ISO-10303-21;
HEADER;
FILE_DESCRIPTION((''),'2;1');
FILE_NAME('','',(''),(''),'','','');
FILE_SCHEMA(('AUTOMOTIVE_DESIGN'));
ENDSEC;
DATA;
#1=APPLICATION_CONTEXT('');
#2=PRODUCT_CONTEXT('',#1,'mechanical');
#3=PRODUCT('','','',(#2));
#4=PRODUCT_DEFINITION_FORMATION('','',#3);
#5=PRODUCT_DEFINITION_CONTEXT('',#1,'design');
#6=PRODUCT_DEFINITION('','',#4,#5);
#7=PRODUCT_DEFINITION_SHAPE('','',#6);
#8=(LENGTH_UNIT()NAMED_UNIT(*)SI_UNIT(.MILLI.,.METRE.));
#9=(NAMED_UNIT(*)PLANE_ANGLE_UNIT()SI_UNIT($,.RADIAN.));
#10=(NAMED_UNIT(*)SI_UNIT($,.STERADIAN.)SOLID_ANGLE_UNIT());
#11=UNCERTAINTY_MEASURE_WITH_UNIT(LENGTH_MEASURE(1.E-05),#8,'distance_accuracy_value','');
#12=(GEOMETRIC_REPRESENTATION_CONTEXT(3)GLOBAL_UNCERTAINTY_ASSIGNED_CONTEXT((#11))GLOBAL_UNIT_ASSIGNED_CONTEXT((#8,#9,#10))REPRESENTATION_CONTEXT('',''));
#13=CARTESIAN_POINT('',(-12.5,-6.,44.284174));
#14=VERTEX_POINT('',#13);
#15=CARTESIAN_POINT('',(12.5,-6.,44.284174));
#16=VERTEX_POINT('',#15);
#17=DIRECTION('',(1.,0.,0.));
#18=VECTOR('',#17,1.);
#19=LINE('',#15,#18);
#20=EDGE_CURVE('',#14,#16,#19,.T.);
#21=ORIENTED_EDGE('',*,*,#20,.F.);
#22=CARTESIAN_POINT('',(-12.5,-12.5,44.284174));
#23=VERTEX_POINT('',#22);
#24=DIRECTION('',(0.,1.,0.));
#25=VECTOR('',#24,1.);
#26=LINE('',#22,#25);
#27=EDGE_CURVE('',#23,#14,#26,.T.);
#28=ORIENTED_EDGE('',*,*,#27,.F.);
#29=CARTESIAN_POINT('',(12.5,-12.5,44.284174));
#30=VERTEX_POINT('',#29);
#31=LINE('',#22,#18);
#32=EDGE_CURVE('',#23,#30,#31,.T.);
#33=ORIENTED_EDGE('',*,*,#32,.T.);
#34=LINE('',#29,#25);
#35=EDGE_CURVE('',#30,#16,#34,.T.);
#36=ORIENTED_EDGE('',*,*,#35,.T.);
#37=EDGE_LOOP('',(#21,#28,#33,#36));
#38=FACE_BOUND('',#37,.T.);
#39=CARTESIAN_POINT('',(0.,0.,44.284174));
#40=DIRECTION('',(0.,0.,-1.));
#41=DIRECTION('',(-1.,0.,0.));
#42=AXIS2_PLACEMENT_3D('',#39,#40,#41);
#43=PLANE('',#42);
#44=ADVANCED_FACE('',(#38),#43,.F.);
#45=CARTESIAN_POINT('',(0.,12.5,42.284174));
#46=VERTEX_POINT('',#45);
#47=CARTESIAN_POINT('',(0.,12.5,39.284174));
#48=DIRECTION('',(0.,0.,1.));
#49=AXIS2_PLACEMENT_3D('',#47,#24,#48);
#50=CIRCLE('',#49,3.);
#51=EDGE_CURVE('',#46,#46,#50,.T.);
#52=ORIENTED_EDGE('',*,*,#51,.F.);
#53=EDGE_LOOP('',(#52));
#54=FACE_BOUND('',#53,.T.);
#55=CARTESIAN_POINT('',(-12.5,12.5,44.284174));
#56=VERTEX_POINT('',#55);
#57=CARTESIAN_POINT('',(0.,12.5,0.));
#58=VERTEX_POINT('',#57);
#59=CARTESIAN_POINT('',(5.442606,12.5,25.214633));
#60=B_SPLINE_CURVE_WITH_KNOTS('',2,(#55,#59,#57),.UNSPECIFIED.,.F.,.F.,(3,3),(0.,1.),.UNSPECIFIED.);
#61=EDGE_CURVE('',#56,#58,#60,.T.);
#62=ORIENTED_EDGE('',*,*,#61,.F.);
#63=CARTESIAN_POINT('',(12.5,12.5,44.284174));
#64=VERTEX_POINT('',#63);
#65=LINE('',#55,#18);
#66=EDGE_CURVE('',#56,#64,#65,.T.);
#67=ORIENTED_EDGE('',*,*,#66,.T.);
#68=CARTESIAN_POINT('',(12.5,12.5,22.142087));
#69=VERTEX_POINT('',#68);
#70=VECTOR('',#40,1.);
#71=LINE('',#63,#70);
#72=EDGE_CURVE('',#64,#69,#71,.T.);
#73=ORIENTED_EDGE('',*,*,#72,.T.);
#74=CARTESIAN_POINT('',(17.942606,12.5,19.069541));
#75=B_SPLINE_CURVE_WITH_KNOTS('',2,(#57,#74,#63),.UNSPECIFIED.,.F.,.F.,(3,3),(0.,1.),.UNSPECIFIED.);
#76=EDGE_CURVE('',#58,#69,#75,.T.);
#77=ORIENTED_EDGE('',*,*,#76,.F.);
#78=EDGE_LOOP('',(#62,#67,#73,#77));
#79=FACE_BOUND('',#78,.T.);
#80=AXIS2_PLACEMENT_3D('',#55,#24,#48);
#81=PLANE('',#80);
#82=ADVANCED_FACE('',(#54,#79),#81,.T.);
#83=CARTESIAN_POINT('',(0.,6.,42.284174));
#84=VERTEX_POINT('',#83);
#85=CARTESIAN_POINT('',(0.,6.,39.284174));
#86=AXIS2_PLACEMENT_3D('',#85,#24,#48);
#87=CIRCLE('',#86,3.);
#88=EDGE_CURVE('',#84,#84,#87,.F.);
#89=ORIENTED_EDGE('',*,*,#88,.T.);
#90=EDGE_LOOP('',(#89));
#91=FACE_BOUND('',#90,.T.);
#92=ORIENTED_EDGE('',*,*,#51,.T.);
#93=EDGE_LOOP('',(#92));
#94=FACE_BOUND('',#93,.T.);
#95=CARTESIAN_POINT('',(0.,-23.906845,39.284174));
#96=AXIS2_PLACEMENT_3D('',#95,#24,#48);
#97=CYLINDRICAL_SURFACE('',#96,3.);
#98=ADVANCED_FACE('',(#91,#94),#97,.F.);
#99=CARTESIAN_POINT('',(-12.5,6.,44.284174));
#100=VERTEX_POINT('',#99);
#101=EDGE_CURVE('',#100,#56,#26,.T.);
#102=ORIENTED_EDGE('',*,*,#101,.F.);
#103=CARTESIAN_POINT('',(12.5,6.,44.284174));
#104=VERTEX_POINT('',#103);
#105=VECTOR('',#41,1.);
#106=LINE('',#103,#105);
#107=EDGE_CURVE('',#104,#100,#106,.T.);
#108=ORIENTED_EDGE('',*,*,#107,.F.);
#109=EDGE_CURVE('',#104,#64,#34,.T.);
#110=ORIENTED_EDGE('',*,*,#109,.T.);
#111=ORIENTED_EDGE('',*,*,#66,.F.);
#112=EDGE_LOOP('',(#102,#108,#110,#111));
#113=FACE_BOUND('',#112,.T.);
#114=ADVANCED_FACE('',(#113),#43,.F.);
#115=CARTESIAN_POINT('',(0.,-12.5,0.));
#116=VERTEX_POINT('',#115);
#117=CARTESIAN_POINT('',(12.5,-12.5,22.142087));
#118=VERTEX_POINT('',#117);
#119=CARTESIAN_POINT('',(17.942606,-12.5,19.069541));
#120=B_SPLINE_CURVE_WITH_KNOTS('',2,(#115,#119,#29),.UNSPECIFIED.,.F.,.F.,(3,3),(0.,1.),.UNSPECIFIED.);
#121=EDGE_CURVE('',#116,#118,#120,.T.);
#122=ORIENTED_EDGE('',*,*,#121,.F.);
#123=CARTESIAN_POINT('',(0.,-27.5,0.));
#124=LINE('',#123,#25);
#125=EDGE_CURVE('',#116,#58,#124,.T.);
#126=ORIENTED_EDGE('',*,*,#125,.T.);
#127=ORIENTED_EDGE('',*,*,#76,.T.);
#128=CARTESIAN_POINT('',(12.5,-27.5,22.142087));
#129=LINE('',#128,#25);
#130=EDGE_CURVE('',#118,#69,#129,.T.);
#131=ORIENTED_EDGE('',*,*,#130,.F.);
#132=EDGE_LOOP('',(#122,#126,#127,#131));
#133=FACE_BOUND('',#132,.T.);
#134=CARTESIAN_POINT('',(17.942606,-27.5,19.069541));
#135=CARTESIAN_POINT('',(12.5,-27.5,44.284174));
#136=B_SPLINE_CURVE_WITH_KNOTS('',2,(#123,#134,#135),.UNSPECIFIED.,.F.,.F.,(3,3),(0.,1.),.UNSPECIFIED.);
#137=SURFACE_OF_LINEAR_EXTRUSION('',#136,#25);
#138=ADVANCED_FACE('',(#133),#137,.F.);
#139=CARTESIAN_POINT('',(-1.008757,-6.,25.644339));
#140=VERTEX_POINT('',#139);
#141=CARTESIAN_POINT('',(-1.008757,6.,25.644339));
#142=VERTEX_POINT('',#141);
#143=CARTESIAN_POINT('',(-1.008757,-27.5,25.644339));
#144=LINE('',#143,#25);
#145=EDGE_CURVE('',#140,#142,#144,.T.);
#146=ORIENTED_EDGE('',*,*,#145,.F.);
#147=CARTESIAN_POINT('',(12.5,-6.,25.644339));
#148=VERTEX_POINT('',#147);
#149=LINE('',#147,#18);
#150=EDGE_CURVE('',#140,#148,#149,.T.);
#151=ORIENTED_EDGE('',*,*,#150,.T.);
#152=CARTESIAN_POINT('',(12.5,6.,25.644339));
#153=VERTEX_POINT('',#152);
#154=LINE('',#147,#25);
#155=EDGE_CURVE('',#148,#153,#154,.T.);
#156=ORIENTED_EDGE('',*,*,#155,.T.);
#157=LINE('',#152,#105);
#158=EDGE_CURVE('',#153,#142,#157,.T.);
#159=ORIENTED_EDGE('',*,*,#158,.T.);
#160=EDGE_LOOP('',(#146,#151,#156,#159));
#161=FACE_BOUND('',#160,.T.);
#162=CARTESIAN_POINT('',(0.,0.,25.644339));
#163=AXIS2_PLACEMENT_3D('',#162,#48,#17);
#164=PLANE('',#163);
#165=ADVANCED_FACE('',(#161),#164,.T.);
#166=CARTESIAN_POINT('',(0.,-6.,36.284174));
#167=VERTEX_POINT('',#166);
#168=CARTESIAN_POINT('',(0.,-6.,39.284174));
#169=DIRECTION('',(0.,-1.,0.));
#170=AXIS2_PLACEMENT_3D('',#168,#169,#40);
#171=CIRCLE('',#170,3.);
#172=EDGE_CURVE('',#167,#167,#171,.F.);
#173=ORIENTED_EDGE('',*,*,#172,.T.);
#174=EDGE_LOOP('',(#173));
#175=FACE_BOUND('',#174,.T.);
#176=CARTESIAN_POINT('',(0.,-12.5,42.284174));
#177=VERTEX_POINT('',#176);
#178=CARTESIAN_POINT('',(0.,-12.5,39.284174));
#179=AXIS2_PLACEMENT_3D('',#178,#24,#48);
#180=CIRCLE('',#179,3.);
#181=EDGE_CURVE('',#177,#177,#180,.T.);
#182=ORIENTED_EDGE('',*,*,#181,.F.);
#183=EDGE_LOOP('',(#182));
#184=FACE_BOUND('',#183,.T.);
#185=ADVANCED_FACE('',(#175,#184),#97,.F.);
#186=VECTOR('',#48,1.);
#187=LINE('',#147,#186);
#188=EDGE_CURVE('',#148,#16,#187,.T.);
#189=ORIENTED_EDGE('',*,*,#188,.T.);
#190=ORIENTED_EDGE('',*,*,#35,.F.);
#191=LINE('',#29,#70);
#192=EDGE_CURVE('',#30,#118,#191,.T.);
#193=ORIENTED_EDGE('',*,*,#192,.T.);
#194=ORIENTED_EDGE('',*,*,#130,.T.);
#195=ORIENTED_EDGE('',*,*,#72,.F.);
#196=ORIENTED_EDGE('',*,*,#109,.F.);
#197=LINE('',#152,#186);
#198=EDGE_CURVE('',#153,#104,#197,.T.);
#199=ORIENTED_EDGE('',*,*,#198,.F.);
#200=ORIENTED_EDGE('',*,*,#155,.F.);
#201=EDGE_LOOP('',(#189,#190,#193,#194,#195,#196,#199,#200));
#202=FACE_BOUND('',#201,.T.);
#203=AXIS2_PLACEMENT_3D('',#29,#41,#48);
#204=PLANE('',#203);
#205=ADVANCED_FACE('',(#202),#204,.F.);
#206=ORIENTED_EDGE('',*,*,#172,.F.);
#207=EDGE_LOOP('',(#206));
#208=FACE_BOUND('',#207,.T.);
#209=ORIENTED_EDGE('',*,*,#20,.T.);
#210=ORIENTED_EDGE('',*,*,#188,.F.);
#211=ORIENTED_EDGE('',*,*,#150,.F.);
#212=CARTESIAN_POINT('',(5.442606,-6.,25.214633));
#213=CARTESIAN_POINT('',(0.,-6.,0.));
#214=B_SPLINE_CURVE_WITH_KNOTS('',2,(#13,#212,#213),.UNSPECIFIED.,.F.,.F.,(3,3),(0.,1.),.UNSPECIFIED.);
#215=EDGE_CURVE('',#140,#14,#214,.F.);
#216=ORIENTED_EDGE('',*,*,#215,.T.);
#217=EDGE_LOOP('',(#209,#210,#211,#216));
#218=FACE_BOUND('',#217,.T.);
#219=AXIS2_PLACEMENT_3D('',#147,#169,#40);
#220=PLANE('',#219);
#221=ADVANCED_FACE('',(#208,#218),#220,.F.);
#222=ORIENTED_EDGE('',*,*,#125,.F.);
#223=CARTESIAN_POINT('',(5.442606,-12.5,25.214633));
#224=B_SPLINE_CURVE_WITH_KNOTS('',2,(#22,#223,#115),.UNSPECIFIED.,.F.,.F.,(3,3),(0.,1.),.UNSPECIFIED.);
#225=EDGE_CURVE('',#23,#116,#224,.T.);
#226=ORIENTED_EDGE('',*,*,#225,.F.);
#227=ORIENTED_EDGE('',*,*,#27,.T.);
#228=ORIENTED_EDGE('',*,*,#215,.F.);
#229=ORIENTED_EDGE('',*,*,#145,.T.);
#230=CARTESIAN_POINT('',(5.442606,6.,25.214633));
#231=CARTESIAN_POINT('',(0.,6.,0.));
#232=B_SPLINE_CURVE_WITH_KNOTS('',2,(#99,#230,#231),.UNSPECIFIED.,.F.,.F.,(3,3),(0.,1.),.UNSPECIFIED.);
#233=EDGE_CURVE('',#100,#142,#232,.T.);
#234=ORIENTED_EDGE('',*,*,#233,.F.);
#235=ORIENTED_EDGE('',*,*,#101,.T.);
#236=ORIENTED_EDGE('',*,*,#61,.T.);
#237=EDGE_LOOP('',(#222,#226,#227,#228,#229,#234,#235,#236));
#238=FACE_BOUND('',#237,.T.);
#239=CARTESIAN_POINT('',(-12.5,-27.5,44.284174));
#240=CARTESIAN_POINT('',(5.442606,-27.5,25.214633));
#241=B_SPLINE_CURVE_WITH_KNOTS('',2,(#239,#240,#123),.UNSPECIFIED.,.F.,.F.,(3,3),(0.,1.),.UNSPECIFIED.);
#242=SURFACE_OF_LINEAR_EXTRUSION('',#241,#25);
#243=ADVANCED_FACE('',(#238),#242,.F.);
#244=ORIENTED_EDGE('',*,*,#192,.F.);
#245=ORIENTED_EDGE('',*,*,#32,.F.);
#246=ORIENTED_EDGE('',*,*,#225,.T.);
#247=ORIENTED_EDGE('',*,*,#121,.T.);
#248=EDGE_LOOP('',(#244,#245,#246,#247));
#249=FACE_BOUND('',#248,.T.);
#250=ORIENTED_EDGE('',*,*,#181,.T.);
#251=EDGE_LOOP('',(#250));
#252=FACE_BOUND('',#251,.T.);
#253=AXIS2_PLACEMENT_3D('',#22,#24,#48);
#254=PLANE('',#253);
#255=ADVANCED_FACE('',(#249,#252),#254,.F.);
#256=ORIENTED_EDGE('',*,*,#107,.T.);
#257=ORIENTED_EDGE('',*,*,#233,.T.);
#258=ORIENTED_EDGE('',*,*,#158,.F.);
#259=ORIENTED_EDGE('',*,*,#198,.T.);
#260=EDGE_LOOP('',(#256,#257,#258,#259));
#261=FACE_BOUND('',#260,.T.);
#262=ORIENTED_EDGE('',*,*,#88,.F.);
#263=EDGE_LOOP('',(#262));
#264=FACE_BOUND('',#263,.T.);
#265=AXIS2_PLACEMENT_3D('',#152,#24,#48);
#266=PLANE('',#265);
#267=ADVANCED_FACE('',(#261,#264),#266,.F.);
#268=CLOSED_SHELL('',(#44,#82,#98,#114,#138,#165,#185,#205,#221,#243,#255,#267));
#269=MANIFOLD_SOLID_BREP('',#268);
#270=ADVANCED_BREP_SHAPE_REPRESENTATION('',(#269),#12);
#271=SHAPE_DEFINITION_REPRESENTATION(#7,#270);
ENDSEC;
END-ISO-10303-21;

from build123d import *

# Parameters (mm, degrees)
SKETCH_1_W          = 25
SKETCH_1_H          = 25
EXTRUDE_1_DEPTH     = 44.284173786
SKETCH_2_R          = 3
CUT_EXTRUDE_1_DEPTH = 36.406845426
SKETCH_4_W          = 25
SKETCH_4_H          = 12
CUT_EXTRUDE_2_DEPTH = 18.639834826
CUT_EXTRUDE_3_DEPTH = 40


with BuildPart() as part:
    # 스케치1 → 보스-돌출1 (new body)
    with BuildSketch(Plane.XY):
        Rectangle(SKETCH_1_W, SKETCH_1_H)
    extrude(amount=EXTRUDE_1_DEPTH)

    # 스케치2 → 컷-돌출1 (cut)
    with BuildSketch(Plane(origin=(0, 12.5, 0), x_dir=(1, 0, 0), z_dir=(0, 1, 0))):
        with Locations(Location((0, -39.284173786, 0), (0, 0, 270))):
            Circle(SKETCH_2_R)
    extrude(amount=-CUT_EXTRUDE_1_DEPTH, mode=Mode.SUBTRACT)

    # 스케치4 → 컷-돌출2 (cut)
    with BuildSketch(Plane.XY.offset(44.284173786)):
        Rectangle(SKETCH_4_W, SKETCH_4_H)
    extrude(amount=-CUT_EXTRUDE_2_DEPTH, mode=Mode.SUBTRACT)

    # 스케치5 → 컷-돌출3 (cut)
    with BuildSketch(Plane(origin=(0, 12.5, 0), x_dir=(1, 0, 0), z_dir=(0, 1, 0))):
        with BuildLine():
            Line((-47.02485921, -52.228316923), (5.705393133, 41.461873578))
            Line((5.705393133, 41.461873578), (28.83172343, -24.155832398))
            Line((28.83172343, -24.155832398), (12.5, -44.284173786))
            add(Edge.make_bspline(
                [(0, 0), (17.942606177, -19.069541042), (12.5, -44.284173786)],
                knots=[0, 0, 0, 1, 1, 1], degree=2))
            add(Edge.make_bspline(
                [(0, 0), (5.442606177, -25.214632744), (-12.5, -44.284173786)],
                knots=[0, 0, 0, 1, 1, 1], degree=2))
            Line((-12.5, -44.284173786), (-47.02485921, -52.228316923))
        make_face()
    extrude(amount=-CUT_EXTRUDE_3_DEPTH, mode=Mode.SUBTRACT)


solid = part.part
